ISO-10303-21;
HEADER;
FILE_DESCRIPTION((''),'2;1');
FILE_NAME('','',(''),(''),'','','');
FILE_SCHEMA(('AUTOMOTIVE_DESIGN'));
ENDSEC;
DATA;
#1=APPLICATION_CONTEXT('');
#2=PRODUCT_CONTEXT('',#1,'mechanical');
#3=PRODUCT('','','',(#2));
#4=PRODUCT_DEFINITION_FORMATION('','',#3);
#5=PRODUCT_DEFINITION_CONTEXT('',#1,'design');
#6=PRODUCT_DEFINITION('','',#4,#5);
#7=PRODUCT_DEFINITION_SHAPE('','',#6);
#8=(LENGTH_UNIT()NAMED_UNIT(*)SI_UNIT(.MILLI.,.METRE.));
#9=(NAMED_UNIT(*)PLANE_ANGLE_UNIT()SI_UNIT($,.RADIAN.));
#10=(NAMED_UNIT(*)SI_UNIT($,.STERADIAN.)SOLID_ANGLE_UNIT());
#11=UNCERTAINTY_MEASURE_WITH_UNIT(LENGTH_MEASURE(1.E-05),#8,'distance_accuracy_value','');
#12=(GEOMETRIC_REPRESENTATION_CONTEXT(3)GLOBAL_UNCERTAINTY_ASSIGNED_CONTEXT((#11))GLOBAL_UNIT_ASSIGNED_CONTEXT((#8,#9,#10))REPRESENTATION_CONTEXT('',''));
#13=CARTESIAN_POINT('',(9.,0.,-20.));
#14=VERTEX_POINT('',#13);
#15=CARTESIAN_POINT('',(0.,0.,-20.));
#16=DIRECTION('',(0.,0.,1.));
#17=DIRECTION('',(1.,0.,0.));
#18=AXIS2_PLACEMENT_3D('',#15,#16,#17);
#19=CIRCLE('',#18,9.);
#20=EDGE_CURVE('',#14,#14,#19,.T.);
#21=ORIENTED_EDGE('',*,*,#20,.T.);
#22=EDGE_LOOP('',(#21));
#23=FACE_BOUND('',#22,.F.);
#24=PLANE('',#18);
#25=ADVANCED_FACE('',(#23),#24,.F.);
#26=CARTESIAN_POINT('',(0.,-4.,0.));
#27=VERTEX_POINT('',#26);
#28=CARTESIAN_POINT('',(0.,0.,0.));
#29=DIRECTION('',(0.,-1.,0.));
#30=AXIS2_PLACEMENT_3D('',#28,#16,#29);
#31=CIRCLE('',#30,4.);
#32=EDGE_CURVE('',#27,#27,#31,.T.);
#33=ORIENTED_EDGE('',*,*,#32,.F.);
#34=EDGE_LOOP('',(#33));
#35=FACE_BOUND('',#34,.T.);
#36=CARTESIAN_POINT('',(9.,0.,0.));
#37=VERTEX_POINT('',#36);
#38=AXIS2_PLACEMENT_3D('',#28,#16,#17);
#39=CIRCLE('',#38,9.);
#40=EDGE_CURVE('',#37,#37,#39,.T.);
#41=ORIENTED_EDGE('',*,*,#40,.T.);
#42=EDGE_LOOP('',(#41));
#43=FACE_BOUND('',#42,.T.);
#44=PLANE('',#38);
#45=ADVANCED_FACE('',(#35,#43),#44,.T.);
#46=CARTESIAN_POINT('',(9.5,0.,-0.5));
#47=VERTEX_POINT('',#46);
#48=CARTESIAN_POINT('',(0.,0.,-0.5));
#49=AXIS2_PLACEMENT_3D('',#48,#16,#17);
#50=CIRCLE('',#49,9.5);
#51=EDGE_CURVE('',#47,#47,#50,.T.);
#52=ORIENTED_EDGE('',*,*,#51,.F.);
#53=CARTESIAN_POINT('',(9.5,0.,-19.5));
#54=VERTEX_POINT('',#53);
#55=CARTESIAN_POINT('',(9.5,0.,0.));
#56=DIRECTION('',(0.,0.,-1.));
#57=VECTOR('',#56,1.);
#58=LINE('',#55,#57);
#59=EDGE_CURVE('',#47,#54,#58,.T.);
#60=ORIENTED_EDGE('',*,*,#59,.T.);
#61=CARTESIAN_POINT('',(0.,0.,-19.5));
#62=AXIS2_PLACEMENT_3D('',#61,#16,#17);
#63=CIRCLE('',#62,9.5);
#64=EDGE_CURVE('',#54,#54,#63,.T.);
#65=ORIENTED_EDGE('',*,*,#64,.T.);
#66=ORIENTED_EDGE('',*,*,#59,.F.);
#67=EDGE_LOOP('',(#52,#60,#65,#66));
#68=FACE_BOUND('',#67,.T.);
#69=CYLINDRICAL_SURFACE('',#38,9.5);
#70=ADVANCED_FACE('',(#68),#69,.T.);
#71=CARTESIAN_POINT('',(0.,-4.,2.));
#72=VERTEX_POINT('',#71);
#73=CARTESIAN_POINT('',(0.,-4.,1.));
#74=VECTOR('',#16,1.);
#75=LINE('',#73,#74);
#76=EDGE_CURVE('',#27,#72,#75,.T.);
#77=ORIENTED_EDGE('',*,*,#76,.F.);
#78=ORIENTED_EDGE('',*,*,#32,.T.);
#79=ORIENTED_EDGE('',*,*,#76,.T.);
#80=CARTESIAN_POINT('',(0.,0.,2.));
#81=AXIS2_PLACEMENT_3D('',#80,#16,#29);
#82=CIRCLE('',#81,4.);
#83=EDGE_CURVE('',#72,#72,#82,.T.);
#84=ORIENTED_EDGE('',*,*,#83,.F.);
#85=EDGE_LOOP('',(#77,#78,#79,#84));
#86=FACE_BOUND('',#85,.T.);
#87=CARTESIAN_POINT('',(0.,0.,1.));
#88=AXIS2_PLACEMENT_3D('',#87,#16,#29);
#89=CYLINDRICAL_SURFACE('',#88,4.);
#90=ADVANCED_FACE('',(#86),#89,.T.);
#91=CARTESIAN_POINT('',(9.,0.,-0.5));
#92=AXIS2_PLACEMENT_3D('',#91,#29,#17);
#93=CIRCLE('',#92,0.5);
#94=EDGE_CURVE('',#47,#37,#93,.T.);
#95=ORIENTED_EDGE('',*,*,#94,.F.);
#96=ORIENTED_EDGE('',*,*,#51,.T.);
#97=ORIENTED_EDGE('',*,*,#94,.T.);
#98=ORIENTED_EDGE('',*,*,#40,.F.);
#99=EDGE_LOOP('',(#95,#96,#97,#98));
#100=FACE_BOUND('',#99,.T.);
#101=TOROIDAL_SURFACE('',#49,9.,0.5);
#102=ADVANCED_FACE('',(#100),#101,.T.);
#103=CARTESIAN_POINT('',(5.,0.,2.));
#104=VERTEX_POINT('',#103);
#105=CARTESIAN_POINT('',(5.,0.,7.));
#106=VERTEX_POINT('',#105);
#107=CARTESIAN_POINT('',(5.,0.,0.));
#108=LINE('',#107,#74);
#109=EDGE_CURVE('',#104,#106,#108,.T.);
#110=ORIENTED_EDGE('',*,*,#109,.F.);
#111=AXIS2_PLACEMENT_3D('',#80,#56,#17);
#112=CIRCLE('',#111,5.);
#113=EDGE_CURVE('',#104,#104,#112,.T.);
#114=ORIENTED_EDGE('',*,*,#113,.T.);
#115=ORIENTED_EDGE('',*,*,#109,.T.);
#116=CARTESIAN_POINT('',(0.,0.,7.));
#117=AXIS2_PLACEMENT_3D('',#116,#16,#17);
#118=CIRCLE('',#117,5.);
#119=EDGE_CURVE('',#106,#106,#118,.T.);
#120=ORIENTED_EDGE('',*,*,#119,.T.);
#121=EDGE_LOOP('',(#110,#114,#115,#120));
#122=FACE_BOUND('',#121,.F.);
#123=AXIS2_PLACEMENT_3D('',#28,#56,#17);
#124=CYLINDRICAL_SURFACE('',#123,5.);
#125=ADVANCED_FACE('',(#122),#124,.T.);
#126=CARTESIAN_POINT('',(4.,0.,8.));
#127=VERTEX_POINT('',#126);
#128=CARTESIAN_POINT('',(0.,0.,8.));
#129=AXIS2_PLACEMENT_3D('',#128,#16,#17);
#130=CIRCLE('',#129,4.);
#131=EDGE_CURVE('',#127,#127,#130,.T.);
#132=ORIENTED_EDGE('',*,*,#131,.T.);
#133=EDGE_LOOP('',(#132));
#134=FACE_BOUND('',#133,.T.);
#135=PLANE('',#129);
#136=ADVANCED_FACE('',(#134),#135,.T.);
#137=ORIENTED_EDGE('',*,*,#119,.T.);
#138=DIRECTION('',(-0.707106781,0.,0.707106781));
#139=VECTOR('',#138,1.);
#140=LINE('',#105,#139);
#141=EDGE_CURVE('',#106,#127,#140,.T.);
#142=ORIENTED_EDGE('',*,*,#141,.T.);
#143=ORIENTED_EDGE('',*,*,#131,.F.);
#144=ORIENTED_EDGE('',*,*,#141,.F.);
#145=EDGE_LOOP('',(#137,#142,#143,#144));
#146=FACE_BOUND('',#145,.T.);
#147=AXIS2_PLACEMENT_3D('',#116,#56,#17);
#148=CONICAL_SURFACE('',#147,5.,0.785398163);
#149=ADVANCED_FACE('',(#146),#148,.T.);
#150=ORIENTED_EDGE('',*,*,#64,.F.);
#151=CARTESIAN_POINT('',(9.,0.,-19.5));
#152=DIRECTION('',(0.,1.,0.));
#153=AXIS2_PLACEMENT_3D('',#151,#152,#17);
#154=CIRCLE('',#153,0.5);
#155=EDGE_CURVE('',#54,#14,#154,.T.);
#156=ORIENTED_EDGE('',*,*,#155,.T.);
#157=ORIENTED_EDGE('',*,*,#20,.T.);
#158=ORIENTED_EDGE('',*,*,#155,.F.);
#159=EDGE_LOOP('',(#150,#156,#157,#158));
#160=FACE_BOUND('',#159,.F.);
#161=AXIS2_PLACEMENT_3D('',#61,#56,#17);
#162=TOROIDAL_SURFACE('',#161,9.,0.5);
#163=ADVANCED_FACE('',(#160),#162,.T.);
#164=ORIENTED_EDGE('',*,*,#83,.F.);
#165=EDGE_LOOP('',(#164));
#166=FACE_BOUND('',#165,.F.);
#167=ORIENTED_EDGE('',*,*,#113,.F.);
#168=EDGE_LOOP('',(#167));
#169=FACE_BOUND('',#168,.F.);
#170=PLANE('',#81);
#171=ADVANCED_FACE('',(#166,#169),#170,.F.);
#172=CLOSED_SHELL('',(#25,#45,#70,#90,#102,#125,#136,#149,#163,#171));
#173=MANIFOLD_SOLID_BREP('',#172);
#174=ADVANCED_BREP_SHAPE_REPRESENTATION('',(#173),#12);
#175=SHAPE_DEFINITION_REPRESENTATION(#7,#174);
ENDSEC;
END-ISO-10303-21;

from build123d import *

# Parameters (mm, degrees)
F0_R     = 9.5
F1_DEPTH = 20
F2_R     = 5
F3_DEPTH = 8
F4_R     = 0.5
F5_SIZE  = 1
F6_W     = 1
F6_H     = 2


with BuildPart() as f1:
    # F0 (on Top) → F1 (new body)
    with BuildSketch(Plane.XY):
        Circle(F0_R)
    extrude(amount=-F1_DEPTH)

    # F2 (on face) → F3 (join)
    with BuildSketch(Plane.XY):
        Circle(F2_R)
    extrude(amount=F3_DEPTH)

    # F4
    f4_edges = [f1.edges().sort_by_distance(p)[0] for p in [
        (-9.5, 0, -20),
        (-9.5, 0, 0),
    ]]
    fillet(f4_edges, radius=F4_R)

    # F5
    f5_edges = [f1.edges().sort_by_distance(p)[0] for p in [
        (-5, 0, 8),
    ]]
    chamfer(f5_edges, length=F5_SIZE)

    # F6 (on Right) → F7 (revolve, cut)
    with BuildSketch(Plane.YZ):
        with Locations((-4.5, 1)):
            Rectangle(F6_W, F6_H)
    revolve(axis=Axis((0, 0, 7.854766), (0, 0, 1)), mode=Mode.SUBTRACT)


solid = f1.part
